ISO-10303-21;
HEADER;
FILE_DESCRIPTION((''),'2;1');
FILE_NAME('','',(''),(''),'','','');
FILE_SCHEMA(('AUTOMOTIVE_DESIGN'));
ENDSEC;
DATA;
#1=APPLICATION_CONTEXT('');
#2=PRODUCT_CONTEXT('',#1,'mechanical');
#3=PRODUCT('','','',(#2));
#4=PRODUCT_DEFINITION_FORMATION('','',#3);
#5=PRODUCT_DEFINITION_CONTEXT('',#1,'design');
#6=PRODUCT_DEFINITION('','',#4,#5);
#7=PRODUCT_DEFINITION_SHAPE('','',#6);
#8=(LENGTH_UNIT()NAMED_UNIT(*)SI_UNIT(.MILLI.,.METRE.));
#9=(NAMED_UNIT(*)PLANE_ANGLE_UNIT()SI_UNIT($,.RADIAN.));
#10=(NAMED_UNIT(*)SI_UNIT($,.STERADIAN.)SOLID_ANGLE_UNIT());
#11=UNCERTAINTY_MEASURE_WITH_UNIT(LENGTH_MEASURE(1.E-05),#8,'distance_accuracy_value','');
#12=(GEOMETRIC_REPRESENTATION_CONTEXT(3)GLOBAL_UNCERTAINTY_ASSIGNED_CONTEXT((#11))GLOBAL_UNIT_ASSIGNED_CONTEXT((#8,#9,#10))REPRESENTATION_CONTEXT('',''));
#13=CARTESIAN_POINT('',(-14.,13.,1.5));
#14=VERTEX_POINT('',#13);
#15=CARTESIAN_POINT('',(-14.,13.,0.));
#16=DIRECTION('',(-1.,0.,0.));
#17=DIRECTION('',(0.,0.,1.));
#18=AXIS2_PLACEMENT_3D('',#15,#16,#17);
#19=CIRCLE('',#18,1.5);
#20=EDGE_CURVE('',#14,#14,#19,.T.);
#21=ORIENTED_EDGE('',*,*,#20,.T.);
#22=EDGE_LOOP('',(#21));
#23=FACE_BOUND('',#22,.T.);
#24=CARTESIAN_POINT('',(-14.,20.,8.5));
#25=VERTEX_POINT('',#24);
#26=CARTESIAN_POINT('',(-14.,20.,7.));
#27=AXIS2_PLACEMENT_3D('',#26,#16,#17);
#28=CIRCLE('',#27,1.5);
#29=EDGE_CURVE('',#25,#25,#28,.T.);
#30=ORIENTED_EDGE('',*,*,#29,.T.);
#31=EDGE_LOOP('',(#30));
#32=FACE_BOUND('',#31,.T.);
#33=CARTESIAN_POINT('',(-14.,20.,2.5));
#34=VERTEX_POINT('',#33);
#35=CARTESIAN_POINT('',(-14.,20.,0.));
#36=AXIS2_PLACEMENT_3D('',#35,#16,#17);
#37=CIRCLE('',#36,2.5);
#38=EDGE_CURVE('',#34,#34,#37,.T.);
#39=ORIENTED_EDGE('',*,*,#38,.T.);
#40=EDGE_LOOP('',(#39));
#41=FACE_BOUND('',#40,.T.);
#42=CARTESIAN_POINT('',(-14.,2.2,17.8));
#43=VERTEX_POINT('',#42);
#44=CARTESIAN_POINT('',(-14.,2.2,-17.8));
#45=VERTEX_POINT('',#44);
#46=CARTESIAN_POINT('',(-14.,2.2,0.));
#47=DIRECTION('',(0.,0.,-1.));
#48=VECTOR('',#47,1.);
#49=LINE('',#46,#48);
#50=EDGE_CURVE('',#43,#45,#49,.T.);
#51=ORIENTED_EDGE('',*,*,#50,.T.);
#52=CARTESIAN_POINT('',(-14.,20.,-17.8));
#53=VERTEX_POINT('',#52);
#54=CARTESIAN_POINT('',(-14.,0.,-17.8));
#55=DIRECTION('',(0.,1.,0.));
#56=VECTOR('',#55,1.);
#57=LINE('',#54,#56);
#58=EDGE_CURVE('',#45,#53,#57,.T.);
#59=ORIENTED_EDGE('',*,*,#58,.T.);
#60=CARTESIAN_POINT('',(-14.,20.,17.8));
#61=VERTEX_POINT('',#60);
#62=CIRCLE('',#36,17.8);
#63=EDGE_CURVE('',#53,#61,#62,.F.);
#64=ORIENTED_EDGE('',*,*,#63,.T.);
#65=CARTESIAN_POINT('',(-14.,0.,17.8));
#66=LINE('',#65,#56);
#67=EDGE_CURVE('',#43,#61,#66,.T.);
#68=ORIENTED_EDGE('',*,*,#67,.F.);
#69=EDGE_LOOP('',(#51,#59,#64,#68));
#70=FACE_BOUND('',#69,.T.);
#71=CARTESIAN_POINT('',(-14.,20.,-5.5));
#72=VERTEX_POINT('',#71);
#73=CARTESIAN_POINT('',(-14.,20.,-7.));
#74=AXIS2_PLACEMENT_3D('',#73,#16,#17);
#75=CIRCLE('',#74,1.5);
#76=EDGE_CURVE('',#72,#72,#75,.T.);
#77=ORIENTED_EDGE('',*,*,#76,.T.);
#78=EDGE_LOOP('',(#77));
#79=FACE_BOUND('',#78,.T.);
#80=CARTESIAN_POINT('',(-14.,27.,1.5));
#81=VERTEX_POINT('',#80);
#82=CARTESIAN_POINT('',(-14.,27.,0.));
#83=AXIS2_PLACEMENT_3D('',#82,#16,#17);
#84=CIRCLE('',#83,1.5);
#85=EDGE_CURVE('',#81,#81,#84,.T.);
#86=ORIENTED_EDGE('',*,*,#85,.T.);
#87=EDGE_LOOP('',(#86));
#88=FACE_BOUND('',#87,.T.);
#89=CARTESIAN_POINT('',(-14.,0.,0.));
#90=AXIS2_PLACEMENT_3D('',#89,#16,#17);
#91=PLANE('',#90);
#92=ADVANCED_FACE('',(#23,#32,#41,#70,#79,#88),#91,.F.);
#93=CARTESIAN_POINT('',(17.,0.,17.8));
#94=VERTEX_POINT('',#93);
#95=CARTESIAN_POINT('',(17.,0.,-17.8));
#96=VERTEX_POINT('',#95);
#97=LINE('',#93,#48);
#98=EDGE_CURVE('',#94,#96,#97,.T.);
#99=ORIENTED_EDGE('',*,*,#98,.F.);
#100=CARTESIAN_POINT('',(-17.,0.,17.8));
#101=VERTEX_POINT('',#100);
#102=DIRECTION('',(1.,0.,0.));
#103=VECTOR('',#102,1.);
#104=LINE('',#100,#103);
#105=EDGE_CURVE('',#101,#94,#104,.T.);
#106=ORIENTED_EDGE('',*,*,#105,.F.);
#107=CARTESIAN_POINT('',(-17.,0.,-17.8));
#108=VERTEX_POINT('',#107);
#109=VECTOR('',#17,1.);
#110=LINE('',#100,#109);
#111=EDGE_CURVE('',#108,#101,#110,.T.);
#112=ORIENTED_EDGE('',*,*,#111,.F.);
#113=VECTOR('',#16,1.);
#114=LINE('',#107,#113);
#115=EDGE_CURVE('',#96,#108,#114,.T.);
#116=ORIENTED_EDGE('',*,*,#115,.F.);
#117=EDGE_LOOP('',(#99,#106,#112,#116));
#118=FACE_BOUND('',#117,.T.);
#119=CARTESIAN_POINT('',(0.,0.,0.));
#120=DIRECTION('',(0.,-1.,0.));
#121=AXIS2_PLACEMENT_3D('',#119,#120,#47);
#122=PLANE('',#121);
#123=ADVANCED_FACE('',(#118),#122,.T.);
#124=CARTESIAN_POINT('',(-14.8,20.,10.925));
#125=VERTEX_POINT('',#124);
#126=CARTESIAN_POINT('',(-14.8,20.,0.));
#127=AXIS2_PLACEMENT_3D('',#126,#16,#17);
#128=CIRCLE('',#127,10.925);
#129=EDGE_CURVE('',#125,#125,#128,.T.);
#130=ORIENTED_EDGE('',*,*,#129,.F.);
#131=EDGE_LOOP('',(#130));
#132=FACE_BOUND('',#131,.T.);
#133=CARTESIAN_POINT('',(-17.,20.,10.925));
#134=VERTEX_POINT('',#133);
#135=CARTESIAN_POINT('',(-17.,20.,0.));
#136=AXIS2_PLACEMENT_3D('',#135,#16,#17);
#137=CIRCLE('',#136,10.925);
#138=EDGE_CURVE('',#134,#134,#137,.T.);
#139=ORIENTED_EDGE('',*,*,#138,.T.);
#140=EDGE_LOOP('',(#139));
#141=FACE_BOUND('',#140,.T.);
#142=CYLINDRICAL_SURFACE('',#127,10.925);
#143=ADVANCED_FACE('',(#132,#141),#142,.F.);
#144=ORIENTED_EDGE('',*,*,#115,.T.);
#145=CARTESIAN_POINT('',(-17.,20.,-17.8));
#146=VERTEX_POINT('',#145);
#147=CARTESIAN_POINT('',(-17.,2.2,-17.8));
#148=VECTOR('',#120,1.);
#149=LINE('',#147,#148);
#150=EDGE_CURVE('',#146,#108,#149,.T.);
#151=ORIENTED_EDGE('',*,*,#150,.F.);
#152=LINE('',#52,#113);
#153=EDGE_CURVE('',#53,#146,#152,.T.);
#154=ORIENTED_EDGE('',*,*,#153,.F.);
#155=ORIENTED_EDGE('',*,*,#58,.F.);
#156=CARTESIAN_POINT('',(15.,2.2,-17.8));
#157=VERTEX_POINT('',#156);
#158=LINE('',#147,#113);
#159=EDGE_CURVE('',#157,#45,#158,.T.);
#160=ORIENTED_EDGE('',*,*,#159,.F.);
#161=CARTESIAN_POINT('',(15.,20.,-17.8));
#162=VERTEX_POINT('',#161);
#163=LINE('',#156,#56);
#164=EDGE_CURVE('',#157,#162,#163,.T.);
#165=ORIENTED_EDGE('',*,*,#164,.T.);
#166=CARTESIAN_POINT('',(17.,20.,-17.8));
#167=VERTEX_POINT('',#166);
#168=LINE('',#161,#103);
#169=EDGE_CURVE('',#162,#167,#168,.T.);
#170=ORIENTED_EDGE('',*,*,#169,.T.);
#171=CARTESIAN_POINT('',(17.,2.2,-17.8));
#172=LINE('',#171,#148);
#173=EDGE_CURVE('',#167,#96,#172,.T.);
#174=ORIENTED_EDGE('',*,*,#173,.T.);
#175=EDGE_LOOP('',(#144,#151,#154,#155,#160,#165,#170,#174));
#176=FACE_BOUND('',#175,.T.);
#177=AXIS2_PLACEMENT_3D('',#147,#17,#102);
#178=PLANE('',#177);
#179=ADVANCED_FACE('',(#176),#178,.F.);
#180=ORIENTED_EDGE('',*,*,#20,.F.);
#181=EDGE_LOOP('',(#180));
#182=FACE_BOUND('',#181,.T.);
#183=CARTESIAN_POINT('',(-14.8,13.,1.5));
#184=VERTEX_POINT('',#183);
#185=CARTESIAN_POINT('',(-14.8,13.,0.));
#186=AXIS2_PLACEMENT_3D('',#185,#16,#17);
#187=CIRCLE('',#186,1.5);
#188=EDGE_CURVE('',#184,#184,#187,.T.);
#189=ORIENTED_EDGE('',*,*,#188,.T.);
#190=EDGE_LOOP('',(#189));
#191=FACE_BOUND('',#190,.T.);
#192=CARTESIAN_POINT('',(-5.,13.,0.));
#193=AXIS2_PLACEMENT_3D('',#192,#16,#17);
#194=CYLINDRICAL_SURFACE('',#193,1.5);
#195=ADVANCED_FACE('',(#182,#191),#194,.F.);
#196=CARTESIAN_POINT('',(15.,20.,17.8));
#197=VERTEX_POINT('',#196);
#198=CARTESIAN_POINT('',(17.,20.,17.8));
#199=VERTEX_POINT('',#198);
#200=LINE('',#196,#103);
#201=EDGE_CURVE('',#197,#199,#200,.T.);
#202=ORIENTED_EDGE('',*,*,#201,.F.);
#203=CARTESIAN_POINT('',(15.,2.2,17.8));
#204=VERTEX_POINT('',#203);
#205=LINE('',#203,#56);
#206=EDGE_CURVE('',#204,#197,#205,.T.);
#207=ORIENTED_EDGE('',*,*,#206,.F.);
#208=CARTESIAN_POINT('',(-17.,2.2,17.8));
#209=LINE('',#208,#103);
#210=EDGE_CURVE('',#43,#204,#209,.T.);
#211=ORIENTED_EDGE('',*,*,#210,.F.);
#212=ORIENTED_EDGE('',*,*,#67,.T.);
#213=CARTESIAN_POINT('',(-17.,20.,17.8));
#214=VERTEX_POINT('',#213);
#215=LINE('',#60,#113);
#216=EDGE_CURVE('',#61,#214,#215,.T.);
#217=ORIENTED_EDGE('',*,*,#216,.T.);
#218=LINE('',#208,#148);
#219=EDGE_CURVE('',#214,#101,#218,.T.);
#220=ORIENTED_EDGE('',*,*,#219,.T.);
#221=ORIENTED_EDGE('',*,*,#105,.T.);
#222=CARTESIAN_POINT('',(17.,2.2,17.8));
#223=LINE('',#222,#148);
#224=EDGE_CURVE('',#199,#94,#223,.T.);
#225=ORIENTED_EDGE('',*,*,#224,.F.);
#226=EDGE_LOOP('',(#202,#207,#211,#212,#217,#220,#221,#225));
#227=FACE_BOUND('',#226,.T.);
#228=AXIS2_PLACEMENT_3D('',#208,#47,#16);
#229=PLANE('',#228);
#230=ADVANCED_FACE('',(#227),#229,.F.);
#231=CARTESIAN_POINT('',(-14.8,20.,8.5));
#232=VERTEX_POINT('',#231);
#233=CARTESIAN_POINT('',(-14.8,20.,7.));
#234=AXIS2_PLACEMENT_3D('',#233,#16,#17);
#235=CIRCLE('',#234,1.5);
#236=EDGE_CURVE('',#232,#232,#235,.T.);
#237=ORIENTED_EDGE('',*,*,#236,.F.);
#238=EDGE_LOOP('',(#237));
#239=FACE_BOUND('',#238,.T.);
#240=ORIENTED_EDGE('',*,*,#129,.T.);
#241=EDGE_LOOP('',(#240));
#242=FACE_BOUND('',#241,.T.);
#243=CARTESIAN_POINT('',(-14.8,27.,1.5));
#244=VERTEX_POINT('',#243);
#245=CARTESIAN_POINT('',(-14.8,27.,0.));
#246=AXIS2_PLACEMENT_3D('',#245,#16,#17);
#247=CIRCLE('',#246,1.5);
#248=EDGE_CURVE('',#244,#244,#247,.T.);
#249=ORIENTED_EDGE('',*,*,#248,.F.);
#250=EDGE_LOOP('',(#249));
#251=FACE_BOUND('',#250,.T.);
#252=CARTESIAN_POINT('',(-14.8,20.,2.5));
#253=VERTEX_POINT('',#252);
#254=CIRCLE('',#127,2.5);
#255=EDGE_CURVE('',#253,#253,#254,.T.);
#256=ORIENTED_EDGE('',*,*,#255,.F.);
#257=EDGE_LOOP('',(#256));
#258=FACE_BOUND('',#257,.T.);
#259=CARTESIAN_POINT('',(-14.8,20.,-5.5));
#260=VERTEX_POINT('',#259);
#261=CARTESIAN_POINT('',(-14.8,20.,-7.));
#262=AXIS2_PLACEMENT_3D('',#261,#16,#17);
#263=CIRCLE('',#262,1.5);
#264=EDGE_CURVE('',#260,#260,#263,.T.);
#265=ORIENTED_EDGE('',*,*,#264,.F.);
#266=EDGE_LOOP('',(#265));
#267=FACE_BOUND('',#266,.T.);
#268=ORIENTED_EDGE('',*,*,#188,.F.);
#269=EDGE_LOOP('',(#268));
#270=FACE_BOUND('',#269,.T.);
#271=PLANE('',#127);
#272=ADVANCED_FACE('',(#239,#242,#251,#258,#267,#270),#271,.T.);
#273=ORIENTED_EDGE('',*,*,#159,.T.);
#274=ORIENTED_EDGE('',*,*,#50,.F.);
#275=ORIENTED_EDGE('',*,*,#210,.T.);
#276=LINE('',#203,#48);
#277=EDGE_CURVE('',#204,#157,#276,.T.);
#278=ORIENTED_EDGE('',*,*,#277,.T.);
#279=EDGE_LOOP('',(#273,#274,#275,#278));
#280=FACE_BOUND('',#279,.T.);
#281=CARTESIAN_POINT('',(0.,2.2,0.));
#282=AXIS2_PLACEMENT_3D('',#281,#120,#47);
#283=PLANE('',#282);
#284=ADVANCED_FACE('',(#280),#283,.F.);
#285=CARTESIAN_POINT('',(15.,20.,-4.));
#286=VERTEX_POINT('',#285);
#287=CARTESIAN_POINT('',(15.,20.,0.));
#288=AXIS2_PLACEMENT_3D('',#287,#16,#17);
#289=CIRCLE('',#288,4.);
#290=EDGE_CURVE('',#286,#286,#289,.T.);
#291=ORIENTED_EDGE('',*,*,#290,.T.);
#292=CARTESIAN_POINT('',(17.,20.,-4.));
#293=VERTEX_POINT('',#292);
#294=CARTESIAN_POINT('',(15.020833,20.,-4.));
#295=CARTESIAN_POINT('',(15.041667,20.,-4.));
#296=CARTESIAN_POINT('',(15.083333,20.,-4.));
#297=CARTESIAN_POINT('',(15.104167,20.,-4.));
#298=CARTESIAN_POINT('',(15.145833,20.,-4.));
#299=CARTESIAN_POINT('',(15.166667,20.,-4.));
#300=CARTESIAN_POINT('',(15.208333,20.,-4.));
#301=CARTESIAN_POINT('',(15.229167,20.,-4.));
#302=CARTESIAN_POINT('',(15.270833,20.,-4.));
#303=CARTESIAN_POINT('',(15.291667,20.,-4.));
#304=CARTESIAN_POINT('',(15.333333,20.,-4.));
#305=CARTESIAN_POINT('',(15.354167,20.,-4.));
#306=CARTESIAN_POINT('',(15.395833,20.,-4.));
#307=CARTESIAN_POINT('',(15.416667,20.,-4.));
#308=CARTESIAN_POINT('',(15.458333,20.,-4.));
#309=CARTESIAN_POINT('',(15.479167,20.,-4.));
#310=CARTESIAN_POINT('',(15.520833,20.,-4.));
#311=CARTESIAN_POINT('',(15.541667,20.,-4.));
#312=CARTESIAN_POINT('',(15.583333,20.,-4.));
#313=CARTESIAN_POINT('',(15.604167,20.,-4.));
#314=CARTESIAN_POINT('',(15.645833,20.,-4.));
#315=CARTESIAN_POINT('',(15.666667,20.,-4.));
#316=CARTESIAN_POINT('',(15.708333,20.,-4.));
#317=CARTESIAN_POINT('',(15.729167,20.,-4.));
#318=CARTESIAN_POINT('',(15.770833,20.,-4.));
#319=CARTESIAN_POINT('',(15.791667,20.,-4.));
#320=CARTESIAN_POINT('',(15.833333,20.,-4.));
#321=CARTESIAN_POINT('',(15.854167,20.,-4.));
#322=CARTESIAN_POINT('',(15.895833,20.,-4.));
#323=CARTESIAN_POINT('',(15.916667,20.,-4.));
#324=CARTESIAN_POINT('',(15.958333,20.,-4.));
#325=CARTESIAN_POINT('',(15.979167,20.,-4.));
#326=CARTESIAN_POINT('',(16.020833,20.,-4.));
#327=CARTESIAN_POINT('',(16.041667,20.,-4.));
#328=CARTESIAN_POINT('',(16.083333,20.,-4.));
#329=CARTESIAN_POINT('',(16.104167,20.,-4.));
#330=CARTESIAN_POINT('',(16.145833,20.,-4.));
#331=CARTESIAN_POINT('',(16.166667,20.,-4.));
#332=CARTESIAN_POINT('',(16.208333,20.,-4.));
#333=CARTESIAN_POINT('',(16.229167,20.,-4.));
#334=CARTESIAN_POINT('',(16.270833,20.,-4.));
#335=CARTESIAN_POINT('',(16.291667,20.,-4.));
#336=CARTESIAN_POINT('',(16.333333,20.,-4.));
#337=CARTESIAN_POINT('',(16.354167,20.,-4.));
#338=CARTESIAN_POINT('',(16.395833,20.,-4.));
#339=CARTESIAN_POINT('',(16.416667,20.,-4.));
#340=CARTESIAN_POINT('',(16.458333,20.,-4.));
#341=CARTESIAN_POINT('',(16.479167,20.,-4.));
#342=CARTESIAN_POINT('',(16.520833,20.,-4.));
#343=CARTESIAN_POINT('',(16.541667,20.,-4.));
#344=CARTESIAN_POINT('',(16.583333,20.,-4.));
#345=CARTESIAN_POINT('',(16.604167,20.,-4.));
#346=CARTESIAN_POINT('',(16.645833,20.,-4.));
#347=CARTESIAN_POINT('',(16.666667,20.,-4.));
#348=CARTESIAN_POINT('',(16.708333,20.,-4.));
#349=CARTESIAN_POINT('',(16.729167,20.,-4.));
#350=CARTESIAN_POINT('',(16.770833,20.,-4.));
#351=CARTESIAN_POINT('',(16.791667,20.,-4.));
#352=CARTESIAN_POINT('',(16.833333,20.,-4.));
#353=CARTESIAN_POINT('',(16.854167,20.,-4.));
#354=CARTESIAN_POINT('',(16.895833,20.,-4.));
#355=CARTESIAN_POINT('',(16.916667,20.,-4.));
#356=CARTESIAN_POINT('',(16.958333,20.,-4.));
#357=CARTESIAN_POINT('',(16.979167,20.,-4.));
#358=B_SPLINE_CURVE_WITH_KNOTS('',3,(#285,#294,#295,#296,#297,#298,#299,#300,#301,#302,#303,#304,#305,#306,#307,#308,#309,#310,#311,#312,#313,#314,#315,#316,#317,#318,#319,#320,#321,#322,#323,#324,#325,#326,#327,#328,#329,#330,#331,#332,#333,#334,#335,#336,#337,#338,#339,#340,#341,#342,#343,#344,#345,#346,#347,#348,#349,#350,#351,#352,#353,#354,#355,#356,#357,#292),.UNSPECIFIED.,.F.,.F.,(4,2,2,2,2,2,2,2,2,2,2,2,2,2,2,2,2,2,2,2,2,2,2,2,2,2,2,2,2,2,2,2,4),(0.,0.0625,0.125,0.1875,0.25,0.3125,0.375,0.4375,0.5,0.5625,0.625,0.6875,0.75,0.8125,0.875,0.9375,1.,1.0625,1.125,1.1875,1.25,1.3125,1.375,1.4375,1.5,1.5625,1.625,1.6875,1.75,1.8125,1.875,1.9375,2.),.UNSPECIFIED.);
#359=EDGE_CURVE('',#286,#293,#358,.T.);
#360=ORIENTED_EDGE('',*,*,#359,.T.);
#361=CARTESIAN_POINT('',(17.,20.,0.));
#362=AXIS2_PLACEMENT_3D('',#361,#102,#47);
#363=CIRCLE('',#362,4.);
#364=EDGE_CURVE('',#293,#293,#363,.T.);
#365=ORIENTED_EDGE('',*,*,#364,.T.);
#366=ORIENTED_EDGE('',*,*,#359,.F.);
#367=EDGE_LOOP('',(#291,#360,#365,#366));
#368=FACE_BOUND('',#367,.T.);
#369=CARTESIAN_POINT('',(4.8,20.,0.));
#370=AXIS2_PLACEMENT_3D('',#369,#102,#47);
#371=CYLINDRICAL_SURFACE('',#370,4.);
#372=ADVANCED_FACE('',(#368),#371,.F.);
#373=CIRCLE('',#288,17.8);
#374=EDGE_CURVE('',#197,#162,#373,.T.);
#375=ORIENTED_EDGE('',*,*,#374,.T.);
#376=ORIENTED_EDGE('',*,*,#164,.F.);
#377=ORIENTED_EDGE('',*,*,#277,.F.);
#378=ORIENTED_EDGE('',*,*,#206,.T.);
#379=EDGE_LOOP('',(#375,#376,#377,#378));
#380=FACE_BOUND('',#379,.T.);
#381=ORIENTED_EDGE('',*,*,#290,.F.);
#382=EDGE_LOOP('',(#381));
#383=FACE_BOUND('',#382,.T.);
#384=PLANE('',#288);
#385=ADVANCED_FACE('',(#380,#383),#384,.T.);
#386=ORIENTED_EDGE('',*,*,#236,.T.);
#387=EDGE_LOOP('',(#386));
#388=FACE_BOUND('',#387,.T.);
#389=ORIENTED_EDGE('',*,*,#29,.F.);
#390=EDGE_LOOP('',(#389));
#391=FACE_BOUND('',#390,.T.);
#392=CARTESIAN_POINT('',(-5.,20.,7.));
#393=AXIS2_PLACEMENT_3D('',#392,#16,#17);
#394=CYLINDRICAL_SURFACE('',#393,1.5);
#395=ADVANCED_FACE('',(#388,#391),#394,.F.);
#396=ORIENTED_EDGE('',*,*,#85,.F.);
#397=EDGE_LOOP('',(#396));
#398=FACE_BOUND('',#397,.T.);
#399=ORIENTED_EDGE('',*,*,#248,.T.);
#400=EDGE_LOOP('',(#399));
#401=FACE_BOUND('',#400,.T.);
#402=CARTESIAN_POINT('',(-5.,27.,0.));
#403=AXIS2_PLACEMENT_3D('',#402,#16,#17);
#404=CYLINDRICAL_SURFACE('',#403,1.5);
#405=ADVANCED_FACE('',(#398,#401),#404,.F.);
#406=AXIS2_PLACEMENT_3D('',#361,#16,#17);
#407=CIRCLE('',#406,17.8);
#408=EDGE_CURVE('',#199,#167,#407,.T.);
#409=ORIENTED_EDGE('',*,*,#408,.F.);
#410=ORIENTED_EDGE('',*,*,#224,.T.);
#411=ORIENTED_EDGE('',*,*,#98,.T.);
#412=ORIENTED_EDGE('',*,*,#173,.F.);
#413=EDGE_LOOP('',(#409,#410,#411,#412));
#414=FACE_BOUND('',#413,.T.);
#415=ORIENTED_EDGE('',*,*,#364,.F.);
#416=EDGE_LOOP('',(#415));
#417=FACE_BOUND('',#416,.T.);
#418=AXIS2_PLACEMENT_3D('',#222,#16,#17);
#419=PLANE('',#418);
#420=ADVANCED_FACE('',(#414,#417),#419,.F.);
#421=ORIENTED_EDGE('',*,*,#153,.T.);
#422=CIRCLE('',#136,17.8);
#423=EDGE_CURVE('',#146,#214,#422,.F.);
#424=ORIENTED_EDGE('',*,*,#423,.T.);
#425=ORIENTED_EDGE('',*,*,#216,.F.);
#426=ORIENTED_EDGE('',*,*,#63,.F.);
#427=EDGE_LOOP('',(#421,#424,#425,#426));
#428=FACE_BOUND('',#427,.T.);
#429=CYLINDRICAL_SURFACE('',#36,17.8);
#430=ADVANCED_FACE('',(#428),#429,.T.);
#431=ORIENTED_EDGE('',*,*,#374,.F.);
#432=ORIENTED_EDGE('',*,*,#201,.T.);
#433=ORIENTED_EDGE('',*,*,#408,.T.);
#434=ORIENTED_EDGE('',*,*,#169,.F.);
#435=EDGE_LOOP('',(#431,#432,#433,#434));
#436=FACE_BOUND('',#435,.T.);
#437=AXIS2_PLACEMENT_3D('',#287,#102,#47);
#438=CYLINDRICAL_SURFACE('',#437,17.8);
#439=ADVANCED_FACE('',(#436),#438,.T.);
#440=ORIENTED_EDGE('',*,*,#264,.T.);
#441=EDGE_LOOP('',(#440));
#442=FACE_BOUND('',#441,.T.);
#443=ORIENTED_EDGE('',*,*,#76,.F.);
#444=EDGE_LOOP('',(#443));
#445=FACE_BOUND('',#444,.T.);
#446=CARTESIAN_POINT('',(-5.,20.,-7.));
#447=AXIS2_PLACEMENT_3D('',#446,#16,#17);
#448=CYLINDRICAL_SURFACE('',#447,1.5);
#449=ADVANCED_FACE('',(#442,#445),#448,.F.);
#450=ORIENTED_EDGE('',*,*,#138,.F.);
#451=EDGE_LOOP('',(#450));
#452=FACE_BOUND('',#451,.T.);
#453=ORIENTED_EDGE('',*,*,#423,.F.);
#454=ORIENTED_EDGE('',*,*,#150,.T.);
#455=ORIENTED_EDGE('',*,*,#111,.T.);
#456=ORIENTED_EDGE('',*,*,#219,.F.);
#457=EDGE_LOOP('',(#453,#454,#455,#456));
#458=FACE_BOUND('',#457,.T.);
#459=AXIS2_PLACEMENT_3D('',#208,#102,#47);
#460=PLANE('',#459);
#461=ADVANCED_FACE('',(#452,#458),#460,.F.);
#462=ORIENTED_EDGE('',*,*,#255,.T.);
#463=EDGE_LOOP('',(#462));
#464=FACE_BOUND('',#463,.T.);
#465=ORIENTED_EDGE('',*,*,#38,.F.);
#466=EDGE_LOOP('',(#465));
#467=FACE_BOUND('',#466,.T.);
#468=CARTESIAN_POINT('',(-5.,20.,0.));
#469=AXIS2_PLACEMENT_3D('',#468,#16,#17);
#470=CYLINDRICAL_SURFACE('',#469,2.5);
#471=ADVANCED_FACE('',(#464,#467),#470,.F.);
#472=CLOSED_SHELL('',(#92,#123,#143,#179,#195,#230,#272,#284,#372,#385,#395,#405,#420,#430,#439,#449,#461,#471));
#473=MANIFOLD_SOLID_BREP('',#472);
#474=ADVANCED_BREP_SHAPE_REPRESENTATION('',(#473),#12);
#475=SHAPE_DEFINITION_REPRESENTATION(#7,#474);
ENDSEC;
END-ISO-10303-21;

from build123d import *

# Parameters (mm, degrees)
SKETCH1_W           = 34
SKETCH1_H           = 35.6
BOSS_EXTRUDE1_DEPTH = 2.2
BOSS_EXTRUDE2_DEPTH = 3
BOSS_EXTRUDE3_START = -32
BOSS_EXTRUDE3_DEPTH = 2
SKETCH4_R           = 2.5
SKETCH4_R_2         = 1.5
CUT_EXTRUDE1_DEPTH  = 12
SKETCH4_3_R         = 10.925
SKETCH4_3_R_2       = 1.5
SKETCH4_3_R_3       = 2.5
CUT_EXTRUDE2_DEPTH  = 2.2
SKETCH5_R           = 4
CUT_EXTRUDE3_DEPTH  = 12.2


with BuildPart() as part:
    # Sketch1 → Boss-Extrude1 (new body)
    with BuildSketch(Plane(origin=(0, 0, 0), x_dir=(1, 0, 0), z_dir=(0, 1, 0))):
        Rectangle(SKETCH1_W, SKETCH1_H)
    extrude(amount=BOSS_EXTRUDE1_DEPTH)

    # Sketch3 → Boss-Extrude2 (add)
    with BuildSketch(Plane.ZY.offset(17)):
        with BuildLine():
            Line((0, 37.8), (0, 2.2))
            Line((0, 2.2), (17.8, 2.2))
            Line((17.8, 2.2), (17.8, 20))
            ThreePointArc((17.8, 20), (12.586500705, 32.586500705), (0, 37.8))
        make_face()
        with BuildLine():
            Line((-17.8, 2.2), (0, 2.2))
            Line((0, 2.2), (0, 37.8))
            ThreePointArc((0, 37.8), (-12.586500705, 32.586500705), (-17.8, 20))
            Line((-17.8, 20), (-17.8, 2.2))
        make_face()
    extrude(amount=-BOSS_EXTRUDE2_DEPTH)

    # Sketch3<4> → Boss-Extrude3 (add)
    with BuildSketch(Plane.ZY.offset(17).offset(BOSS_EXTRUDE3_START)):
        with BuildLine():
            Line((-17.8, 2.2), (0, 2.2))
            Line((0, 2.2), (0, 37.8))
            ThreePointArc((0, 37.8), (-12.586500705, 32.586500705), (-17.8, 20))
            Line((-17.8, 20), (-17.8, 2.2))
        make_face()
        with BuildLine():
            Line((0, 37.8), (0, 2.2))
            Line((0, 2.2), (17.8, 2.2))
            Line((17.8, 2.2), (17.8, 20))
            ThreePointArc((17.8, 20), (12.586500705, 32.586500705), (0, 37.8))
        make_face()
    extrude(amount=-BOSS_EXTRUDE3_DEPTH)

    # Sketch4 → Cut-Extrude1 (cut)
    with BuildSketch(Plane.ZY.offset(17)):
        with Locations((0, 20)):
            Circle(SKETCH4_R)
        with Locations((7, 20)):
            Circle(SKETCH4_R_2)
        with Locations((0, 27)):
            Circle(SKETCH4_R_2)
        with Locations((-7, 20)):
            Circle(SKETCH4_R_2)
        with Locations((0, 13)):
            Circle(SKETCH4_R_2)
    extrude(amount=-CUT_EXTRUDE1_DEPTH, mode=Mode.SUBTRACT)

    # Sketch4<3> → Cut-Extrude2 (cut)
    with BuildSketch(Plane.ZY.offset(17)):
        with Locations((0, 20)):
            Circle(SKETCH4_3_R)
        with Locations((0, 27)):
            Circle(SKETCH4_3_R_2, mode=Mode.SUBTRACT)
        with Locations((0, 13)):
            Circle(SKETCH4_3_R_2, mode=Mode.SUBTRACT)
        with Locations((-7, 20)):
            Circle(SKETCH4_3_R_2, mode=Mode.SUBTRACT)
        with Locations((7, 20)):
            Circle(SKETCH4_3_R_2, mode=Mode.SUBTRACT)
        with Locations((0, 20)):
            Circle(SKETCH4_3_R_3, mode=Mode.SUBTRACT)
    extrude(amount=-CUT_EXTRUDE2_DEPTH, mode=Mode.SUBTRACT)

    # Sketch5 → Cut-Extrude3 (cut)
    with BuildSketch(Plane(origin=(17, 0, 0), x_dir=(0, 0, -1), z_dir=(1, 0, 0))):
        with Locations((0, 20)):
            Circle(SKETCH5_R)
    extrude(amount=-CUT_EXTRUDE3_DEPTH, mode=Mode.SUBTRACT)


solid = part.part
